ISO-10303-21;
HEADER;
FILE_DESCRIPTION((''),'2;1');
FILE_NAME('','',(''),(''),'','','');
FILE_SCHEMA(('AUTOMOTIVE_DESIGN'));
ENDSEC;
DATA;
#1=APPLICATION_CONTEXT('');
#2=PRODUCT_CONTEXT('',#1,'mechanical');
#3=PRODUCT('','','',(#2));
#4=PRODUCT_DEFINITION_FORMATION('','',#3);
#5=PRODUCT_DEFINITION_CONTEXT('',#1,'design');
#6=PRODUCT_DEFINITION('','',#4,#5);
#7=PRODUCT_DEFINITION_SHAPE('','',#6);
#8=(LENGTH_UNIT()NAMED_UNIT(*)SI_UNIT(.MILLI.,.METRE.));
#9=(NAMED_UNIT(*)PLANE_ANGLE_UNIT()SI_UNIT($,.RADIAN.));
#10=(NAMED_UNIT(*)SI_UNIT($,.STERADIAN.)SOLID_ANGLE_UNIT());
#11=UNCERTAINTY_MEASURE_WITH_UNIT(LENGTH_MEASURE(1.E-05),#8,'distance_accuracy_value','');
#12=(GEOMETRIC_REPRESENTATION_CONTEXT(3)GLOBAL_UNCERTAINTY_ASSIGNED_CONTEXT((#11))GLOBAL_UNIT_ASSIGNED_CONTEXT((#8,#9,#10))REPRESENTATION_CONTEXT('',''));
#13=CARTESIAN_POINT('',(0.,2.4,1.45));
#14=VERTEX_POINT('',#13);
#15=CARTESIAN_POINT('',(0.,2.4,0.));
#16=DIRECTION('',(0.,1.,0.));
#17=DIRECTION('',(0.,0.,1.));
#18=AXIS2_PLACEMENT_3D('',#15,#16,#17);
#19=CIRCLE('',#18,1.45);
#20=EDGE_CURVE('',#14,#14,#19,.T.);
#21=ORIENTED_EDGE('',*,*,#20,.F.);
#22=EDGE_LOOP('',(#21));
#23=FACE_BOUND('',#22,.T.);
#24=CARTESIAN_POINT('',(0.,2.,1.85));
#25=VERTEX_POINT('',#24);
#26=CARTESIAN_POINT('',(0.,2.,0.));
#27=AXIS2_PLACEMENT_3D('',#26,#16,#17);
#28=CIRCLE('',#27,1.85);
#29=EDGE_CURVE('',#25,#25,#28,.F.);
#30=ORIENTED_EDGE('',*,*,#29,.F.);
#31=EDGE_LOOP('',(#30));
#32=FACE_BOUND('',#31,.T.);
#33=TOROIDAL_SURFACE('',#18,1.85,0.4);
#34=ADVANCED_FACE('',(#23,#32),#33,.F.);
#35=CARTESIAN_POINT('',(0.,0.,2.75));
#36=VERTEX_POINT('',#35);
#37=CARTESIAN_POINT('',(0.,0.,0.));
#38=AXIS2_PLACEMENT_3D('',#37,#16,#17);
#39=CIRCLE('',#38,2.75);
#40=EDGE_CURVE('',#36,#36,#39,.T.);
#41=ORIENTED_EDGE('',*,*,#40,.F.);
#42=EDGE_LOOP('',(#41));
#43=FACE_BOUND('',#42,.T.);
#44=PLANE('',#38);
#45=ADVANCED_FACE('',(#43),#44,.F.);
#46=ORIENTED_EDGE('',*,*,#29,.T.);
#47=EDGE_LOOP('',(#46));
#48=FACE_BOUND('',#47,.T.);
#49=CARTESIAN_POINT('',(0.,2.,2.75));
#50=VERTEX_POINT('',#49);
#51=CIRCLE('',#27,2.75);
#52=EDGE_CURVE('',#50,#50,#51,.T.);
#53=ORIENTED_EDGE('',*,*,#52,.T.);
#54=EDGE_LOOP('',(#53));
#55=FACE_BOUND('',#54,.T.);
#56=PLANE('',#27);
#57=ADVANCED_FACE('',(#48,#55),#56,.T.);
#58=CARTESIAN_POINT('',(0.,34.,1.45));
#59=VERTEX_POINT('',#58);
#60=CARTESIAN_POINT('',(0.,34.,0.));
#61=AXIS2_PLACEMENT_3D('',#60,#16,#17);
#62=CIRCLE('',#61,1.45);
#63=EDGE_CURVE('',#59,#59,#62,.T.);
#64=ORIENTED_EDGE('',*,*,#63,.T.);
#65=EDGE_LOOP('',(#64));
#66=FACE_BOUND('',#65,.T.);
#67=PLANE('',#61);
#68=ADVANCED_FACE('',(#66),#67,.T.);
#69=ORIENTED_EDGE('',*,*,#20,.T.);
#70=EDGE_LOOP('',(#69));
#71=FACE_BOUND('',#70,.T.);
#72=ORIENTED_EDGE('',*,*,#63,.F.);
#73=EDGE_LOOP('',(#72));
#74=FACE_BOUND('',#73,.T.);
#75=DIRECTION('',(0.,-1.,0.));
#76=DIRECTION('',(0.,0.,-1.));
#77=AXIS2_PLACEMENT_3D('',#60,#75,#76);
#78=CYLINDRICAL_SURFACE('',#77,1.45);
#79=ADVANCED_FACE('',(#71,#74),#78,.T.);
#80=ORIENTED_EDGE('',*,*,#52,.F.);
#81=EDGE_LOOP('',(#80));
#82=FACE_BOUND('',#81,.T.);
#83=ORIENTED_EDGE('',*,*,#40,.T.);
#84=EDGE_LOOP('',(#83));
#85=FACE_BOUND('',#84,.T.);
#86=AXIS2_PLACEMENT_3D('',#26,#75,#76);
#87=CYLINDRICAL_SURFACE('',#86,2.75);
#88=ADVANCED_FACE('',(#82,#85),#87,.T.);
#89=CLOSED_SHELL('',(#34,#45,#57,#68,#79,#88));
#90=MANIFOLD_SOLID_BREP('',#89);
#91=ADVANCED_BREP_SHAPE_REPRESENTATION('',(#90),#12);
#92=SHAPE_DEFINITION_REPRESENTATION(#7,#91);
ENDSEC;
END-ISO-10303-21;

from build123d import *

# Parameters (mm, degrees)
SKETCH_1_R      = 2.75
EXTRUDE_1_DEPTH = 2
SKETCH_2_R      = 1.45
EXTRUDE_2_DEPTH = 32
FILLET_1_R      = 0.4


with BuildPart() as part:
    # 草图1 → 凸台-拉伸1 (new body)
    with BuildSketch(Plane(origin=(0, 0, 0), x_dir=(1, 0, 0), z_dir=(0, 1, 0))):
        Circle(SKETCH_1_R)
    extrude(amount=EXTRUDE_1_DEPTH)

    # 草图2 → 凸台-拉伸2 (add)
    with BuildSketch(Plane(origin=(0, 2, 0), x_dir=(1, 0, 0), z_dir=(0, 1, 0))):
        Circle(SKETCH_2_R)
    extrude(amount=EXTRUDE_2_DEPTH)

    # 圆角1
    fillet_1_edges = [part.edges().sort_by_distance(p)[0] for p in [
        (-1.45, 2, 0),
    ]]
    fillet(fillet_1_edges, radius=FILLET_1_R)


solid = part.part
